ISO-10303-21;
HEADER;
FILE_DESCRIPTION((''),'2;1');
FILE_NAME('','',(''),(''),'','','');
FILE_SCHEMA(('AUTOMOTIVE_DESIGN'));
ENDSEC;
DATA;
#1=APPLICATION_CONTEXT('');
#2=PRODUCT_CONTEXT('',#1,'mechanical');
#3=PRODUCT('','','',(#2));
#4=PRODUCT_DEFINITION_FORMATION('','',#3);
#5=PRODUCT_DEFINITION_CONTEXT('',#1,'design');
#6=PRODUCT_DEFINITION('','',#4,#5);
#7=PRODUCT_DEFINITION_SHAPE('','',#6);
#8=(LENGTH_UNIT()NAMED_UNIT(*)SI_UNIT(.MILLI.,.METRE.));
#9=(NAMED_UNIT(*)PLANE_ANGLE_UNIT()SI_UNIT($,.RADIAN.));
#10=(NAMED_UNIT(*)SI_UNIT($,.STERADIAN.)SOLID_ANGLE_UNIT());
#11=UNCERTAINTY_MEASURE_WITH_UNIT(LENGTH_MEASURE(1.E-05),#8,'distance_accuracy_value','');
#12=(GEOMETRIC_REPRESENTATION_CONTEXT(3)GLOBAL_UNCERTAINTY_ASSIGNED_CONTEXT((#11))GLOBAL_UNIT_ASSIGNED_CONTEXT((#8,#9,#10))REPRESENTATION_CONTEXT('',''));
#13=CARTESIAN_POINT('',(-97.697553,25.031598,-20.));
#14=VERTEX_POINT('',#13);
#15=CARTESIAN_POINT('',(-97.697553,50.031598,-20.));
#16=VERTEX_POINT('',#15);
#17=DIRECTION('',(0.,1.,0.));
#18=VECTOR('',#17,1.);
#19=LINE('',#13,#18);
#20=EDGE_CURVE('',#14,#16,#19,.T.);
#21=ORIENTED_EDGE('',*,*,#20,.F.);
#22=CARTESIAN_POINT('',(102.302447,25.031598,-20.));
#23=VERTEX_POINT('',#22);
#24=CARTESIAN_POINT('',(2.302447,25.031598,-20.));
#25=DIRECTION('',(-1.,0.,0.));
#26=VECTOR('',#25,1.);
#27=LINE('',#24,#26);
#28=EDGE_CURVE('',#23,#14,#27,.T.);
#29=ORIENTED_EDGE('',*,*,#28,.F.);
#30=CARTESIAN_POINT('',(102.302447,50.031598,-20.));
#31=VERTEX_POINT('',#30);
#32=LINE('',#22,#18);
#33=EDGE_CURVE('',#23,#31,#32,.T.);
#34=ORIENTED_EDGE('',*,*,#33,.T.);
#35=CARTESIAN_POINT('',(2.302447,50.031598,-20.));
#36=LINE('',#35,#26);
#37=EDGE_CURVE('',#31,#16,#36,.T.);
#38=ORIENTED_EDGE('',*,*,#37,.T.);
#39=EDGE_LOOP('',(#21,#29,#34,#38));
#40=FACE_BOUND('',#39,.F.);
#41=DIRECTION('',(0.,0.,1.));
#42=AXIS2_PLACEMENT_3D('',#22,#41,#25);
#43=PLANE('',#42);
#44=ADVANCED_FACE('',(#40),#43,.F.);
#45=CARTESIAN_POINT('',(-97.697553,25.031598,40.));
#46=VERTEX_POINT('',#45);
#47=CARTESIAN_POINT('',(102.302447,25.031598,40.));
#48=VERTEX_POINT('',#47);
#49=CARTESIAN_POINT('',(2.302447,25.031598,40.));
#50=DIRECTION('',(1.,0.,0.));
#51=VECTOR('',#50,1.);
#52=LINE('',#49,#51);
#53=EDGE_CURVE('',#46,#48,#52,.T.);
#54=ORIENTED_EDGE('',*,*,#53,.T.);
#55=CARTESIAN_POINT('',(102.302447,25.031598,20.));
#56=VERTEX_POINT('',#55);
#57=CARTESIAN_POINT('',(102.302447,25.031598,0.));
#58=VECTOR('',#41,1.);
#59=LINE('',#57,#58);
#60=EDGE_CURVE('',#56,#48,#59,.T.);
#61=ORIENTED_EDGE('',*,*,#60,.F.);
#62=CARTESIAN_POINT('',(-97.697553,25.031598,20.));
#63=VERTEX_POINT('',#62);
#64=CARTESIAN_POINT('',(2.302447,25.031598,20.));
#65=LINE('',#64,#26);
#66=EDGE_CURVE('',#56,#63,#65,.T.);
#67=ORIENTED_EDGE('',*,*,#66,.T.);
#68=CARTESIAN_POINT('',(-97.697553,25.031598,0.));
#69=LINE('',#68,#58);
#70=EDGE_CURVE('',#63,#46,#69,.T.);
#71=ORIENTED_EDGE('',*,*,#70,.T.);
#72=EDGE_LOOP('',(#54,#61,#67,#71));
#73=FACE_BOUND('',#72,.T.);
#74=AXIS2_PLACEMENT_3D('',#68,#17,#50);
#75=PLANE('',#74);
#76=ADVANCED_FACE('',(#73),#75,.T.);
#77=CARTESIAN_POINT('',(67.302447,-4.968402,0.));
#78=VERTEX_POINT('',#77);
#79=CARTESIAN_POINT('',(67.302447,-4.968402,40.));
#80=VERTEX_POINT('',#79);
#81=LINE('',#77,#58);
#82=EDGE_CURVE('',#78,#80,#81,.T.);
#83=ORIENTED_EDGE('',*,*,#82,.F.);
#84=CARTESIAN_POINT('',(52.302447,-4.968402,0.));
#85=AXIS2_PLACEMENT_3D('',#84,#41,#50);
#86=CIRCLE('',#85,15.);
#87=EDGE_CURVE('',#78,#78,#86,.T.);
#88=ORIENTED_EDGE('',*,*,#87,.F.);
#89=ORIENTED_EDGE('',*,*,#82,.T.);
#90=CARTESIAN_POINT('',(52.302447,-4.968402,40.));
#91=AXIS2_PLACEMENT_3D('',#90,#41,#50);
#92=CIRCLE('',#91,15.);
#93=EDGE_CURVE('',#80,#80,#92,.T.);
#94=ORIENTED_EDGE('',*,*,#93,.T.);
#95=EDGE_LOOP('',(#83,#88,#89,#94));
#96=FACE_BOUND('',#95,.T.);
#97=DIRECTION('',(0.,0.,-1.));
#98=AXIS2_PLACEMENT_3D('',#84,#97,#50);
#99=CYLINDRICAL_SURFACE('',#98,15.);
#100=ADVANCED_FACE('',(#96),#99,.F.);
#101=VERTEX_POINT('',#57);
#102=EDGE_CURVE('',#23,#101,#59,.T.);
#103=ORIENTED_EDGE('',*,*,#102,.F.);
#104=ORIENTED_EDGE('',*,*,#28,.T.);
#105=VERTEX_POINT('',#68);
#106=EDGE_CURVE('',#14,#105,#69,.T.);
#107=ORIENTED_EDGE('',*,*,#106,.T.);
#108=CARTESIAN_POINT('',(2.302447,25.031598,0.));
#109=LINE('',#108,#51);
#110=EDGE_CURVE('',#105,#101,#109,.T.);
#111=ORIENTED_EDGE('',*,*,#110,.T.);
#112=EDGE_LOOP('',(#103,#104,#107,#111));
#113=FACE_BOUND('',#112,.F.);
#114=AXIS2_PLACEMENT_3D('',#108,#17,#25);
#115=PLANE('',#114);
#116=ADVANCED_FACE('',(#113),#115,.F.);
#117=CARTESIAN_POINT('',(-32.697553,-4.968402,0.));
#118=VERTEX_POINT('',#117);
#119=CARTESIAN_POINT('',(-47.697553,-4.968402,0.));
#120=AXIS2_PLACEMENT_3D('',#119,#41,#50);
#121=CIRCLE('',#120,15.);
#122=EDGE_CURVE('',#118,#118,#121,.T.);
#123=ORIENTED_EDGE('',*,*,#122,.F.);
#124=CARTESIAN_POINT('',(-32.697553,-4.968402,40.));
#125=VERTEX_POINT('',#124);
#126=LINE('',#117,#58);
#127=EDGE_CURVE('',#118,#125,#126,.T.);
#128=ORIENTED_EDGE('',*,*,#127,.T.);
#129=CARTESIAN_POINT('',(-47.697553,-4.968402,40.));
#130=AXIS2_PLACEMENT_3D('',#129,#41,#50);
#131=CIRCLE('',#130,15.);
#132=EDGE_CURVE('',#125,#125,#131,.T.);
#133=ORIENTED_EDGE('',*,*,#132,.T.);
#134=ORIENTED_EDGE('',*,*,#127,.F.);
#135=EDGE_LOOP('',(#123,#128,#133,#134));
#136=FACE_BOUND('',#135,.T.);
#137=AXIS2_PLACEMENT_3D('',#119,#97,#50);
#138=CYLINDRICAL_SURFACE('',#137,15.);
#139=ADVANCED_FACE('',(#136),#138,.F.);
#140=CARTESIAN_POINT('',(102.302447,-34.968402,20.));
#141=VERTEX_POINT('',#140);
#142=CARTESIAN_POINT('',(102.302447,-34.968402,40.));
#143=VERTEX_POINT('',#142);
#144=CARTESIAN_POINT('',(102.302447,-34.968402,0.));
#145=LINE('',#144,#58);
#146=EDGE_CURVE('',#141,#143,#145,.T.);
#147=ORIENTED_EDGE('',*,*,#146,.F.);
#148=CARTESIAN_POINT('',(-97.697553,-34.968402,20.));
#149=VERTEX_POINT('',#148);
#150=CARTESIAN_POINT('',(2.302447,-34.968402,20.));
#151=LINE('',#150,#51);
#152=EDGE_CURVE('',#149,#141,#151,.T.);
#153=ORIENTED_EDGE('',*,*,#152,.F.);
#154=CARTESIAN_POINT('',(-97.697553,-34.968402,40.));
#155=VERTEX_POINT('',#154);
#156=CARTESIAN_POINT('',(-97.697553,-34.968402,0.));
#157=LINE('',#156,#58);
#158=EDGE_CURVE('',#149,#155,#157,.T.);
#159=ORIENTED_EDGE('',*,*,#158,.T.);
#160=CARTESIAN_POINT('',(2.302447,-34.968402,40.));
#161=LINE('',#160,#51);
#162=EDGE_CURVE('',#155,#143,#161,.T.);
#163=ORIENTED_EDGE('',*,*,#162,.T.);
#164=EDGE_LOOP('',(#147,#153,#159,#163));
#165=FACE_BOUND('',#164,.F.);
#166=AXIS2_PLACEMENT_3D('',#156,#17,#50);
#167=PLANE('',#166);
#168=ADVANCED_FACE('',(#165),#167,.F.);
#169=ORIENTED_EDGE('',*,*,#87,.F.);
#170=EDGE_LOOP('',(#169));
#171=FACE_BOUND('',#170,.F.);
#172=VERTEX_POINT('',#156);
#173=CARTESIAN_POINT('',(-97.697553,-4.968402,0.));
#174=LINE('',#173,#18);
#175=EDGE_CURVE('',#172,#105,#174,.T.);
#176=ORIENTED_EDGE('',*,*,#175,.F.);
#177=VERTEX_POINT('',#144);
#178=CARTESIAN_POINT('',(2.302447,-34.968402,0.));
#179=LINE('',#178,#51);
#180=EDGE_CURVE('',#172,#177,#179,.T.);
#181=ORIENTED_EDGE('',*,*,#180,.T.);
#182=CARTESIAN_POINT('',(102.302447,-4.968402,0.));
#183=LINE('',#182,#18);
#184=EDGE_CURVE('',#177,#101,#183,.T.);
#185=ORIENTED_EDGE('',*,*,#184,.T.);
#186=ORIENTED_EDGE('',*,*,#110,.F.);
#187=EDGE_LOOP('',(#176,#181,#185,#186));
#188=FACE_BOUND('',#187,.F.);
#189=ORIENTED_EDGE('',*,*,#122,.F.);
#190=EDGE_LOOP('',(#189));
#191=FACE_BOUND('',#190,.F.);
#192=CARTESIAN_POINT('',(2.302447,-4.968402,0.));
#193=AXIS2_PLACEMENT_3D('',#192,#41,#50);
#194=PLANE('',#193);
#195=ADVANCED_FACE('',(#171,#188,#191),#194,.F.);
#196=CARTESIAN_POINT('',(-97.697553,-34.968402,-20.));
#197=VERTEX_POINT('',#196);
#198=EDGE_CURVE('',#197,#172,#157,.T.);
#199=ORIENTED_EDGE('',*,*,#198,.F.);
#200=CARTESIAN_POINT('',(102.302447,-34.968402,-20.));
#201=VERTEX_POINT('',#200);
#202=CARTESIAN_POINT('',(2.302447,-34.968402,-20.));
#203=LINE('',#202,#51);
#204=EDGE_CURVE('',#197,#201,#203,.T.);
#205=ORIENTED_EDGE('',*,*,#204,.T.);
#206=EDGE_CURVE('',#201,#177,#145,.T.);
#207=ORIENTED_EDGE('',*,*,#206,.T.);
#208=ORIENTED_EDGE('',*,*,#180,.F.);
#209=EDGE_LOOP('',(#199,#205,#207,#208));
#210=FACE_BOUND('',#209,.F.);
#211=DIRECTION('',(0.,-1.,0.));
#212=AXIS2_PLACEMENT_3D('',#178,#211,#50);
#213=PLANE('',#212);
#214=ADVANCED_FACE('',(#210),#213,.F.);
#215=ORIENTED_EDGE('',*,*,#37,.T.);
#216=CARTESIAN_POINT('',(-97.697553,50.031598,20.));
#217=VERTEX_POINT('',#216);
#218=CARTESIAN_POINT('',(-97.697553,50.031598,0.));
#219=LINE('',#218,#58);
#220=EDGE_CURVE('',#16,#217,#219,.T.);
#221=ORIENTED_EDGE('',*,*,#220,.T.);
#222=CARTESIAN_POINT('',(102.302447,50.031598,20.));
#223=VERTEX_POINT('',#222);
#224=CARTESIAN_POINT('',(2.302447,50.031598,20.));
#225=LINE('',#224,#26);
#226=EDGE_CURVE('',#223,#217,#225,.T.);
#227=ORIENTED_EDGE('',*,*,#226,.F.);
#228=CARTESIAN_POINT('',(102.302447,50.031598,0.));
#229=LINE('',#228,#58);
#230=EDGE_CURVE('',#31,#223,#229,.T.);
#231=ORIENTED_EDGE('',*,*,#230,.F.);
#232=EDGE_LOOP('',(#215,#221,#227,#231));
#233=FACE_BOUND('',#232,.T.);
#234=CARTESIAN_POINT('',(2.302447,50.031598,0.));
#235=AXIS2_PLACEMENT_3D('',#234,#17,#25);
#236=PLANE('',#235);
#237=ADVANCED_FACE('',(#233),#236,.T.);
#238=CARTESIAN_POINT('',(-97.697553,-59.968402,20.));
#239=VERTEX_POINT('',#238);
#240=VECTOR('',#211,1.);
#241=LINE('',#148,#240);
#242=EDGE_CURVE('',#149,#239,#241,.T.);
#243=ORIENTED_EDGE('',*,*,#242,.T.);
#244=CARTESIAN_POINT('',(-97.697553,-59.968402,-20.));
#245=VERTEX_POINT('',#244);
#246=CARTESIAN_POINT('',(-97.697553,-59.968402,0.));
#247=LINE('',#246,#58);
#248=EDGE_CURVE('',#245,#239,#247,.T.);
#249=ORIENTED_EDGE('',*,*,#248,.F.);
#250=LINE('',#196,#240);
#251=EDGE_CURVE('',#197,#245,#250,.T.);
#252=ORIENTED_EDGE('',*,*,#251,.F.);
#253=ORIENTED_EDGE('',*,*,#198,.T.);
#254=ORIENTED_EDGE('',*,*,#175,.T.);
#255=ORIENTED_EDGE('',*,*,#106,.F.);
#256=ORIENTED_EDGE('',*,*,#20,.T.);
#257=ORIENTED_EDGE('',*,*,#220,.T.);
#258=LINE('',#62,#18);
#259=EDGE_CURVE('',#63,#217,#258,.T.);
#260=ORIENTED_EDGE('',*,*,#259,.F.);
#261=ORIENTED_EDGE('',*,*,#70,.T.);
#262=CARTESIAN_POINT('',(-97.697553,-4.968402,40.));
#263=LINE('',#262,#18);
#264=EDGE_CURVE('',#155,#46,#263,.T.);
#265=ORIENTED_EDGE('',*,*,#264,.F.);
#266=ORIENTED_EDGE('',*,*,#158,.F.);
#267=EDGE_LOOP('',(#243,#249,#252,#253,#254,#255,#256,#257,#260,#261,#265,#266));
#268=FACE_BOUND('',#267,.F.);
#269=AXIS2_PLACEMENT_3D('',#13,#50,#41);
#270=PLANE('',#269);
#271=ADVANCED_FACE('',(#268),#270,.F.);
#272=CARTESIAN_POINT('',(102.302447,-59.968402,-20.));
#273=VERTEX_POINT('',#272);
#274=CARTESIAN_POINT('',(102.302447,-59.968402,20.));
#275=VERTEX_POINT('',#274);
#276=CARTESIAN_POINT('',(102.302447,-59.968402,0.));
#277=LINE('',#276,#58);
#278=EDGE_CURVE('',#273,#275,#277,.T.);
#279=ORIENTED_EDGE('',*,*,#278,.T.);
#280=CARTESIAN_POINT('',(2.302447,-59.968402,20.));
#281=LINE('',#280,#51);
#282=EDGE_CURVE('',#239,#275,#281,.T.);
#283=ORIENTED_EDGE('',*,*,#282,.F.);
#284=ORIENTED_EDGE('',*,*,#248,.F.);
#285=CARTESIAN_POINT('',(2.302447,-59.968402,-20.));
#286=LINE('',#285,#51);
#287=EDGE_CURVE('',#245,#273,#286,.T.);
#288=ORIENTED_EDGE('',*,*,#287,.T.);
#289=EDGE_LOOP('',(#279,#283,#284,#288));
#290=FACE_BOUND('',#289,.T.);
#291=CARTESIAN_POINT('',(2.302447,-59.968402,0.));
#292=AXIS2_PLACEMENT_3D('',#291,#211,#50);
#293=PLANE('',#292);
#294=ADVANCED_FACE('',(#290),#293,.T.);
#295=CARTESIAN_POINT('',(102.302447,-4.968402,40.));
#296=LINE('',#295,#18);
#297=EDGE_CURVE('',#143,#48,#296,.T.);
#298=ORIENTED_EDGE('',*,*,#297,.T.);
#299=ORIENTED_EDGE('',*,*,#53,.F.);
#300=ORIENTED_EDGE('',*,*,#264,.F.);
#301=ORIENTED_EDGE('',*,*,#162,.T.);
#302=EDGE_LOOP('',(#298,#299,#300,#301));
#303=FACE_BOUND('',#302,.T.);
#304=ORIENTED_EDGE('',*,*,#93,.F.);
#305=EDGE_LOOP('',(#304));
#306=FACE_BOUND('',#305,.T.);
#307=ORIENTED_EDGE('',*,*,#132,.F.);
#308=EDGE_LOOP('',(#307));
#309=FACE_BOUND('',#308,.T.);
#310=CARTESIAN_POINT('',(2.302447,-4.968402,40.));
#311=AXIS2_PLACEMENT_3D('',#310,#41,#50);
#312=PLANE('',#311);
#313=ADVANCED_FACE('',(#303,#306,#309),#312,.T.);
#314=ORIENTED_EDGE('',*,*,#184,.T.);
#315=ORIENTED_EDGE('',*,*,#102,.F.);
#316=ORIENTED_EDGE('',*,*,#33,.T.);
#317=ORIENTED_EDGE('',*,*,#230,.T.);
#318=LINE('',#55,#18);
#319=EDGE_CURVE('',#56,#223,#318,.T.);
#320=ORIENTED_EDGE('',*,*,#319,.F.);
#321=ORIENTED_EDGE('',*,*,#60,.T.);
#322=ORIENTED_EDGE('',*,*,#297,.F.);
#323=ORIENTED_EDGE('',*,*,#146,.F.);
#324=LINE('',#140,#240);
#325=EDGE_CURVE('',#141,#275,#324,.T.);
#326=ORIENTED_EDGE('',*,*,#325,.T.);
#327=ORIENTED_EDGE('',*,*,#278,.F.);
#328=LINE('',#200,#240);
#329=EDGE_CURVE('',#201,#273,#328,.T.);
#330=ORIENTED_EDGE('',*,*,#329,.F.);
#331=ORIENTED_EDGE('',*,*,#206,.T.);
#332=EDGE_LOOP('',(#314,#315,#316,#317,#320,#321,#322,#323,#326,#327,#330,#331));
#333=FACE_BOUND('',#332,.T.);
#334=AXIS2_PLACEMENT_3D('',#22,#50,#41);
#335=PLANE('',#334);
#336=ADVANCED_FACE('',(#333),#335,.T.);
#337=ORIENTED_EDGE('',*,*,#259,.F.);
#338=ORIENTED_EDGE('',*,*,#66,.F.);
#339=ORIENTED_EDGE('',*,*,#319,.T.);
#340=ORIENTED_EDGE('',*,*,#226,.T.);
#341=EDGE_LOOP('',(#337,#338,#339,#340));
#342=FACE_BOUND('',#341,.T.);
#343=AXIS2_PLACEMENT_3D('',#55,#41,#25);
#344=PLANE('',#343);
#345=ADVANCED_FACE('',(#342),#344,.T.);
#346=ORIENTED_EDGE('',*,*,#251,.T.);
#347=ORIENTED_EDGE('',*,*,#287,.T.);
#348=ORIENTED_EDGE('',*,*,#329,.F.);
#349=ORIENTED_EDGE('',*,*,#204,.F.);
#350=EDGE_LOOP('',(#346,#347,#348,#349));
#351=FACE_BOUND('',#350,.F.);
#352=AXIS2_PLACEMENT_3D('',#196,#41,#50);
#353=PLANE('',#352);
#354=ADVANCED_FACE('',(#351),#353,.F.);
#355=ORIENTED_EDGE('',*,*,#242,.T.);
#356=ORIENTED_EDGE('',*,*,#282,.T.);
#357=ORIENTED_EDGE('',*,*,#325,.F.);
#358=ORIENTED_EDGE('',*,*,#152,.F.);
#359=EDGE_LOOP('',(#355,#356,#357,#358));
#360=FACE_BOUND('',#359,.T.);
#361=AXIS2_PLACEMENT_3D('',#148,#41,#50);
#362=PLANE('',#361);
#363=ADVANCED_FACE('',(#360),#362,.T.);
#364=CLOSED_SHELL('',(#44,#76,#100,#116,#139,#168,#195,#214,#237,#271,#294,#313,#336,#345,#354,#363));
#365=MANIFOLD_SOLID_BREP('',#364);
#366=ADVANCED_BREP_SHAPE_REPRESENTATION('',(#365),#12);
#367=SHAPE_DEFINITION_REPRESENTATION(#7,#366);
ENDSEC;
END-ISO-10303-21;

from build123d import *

# Parameters (mm, degrees)
F0_W     = 200
F0_H     = 60
F0_R     = 15
F1_DEPTH = 40
F2_W     = 200
F2_H     = 40
F3_DEPTH = 25
F4_W     = 200
F4_H     = 40
F5_DEPTH = 25


with BuildPart() as f1:
    # F0 (on Top) → F1 (new body)
    with BuildSketch(Plane.XY):
        with Locations((2.302447, -4.968402)):
            Rectangle(F0_W, F0_H)
        with Locations((-47.697553, -4.968402)):
            Circle(F0_R, mode=Mode.SUBTRACT)
        with Locations((52.302447, -4.968402)):
            Circle(F0_R, mode=Mode.SUBTRACT)
    extrude(amount=F1_DEPTH)

    # F2 (on face) → F3 (join)
    with BuildSketch(Plane.XZ.offset(34.968402)):
        with Locations((2.302447, 0)):
            Rectangle(F2_W, F2_H)
    extrude(amount=F3_DEPTH)

    # F4 (on face) → F5 (join)
    with BuildSketch(Plane(origin=(0, 25.031598, 0), x_dir=(-1, 0, 0), z_dir=(0, 1, 0))):
        with Locations((-2.302447, 0)):
            Rectangle(F4_W, F4_H)
    extrude(amount=F5_DEPTH)


solid = f1.part
